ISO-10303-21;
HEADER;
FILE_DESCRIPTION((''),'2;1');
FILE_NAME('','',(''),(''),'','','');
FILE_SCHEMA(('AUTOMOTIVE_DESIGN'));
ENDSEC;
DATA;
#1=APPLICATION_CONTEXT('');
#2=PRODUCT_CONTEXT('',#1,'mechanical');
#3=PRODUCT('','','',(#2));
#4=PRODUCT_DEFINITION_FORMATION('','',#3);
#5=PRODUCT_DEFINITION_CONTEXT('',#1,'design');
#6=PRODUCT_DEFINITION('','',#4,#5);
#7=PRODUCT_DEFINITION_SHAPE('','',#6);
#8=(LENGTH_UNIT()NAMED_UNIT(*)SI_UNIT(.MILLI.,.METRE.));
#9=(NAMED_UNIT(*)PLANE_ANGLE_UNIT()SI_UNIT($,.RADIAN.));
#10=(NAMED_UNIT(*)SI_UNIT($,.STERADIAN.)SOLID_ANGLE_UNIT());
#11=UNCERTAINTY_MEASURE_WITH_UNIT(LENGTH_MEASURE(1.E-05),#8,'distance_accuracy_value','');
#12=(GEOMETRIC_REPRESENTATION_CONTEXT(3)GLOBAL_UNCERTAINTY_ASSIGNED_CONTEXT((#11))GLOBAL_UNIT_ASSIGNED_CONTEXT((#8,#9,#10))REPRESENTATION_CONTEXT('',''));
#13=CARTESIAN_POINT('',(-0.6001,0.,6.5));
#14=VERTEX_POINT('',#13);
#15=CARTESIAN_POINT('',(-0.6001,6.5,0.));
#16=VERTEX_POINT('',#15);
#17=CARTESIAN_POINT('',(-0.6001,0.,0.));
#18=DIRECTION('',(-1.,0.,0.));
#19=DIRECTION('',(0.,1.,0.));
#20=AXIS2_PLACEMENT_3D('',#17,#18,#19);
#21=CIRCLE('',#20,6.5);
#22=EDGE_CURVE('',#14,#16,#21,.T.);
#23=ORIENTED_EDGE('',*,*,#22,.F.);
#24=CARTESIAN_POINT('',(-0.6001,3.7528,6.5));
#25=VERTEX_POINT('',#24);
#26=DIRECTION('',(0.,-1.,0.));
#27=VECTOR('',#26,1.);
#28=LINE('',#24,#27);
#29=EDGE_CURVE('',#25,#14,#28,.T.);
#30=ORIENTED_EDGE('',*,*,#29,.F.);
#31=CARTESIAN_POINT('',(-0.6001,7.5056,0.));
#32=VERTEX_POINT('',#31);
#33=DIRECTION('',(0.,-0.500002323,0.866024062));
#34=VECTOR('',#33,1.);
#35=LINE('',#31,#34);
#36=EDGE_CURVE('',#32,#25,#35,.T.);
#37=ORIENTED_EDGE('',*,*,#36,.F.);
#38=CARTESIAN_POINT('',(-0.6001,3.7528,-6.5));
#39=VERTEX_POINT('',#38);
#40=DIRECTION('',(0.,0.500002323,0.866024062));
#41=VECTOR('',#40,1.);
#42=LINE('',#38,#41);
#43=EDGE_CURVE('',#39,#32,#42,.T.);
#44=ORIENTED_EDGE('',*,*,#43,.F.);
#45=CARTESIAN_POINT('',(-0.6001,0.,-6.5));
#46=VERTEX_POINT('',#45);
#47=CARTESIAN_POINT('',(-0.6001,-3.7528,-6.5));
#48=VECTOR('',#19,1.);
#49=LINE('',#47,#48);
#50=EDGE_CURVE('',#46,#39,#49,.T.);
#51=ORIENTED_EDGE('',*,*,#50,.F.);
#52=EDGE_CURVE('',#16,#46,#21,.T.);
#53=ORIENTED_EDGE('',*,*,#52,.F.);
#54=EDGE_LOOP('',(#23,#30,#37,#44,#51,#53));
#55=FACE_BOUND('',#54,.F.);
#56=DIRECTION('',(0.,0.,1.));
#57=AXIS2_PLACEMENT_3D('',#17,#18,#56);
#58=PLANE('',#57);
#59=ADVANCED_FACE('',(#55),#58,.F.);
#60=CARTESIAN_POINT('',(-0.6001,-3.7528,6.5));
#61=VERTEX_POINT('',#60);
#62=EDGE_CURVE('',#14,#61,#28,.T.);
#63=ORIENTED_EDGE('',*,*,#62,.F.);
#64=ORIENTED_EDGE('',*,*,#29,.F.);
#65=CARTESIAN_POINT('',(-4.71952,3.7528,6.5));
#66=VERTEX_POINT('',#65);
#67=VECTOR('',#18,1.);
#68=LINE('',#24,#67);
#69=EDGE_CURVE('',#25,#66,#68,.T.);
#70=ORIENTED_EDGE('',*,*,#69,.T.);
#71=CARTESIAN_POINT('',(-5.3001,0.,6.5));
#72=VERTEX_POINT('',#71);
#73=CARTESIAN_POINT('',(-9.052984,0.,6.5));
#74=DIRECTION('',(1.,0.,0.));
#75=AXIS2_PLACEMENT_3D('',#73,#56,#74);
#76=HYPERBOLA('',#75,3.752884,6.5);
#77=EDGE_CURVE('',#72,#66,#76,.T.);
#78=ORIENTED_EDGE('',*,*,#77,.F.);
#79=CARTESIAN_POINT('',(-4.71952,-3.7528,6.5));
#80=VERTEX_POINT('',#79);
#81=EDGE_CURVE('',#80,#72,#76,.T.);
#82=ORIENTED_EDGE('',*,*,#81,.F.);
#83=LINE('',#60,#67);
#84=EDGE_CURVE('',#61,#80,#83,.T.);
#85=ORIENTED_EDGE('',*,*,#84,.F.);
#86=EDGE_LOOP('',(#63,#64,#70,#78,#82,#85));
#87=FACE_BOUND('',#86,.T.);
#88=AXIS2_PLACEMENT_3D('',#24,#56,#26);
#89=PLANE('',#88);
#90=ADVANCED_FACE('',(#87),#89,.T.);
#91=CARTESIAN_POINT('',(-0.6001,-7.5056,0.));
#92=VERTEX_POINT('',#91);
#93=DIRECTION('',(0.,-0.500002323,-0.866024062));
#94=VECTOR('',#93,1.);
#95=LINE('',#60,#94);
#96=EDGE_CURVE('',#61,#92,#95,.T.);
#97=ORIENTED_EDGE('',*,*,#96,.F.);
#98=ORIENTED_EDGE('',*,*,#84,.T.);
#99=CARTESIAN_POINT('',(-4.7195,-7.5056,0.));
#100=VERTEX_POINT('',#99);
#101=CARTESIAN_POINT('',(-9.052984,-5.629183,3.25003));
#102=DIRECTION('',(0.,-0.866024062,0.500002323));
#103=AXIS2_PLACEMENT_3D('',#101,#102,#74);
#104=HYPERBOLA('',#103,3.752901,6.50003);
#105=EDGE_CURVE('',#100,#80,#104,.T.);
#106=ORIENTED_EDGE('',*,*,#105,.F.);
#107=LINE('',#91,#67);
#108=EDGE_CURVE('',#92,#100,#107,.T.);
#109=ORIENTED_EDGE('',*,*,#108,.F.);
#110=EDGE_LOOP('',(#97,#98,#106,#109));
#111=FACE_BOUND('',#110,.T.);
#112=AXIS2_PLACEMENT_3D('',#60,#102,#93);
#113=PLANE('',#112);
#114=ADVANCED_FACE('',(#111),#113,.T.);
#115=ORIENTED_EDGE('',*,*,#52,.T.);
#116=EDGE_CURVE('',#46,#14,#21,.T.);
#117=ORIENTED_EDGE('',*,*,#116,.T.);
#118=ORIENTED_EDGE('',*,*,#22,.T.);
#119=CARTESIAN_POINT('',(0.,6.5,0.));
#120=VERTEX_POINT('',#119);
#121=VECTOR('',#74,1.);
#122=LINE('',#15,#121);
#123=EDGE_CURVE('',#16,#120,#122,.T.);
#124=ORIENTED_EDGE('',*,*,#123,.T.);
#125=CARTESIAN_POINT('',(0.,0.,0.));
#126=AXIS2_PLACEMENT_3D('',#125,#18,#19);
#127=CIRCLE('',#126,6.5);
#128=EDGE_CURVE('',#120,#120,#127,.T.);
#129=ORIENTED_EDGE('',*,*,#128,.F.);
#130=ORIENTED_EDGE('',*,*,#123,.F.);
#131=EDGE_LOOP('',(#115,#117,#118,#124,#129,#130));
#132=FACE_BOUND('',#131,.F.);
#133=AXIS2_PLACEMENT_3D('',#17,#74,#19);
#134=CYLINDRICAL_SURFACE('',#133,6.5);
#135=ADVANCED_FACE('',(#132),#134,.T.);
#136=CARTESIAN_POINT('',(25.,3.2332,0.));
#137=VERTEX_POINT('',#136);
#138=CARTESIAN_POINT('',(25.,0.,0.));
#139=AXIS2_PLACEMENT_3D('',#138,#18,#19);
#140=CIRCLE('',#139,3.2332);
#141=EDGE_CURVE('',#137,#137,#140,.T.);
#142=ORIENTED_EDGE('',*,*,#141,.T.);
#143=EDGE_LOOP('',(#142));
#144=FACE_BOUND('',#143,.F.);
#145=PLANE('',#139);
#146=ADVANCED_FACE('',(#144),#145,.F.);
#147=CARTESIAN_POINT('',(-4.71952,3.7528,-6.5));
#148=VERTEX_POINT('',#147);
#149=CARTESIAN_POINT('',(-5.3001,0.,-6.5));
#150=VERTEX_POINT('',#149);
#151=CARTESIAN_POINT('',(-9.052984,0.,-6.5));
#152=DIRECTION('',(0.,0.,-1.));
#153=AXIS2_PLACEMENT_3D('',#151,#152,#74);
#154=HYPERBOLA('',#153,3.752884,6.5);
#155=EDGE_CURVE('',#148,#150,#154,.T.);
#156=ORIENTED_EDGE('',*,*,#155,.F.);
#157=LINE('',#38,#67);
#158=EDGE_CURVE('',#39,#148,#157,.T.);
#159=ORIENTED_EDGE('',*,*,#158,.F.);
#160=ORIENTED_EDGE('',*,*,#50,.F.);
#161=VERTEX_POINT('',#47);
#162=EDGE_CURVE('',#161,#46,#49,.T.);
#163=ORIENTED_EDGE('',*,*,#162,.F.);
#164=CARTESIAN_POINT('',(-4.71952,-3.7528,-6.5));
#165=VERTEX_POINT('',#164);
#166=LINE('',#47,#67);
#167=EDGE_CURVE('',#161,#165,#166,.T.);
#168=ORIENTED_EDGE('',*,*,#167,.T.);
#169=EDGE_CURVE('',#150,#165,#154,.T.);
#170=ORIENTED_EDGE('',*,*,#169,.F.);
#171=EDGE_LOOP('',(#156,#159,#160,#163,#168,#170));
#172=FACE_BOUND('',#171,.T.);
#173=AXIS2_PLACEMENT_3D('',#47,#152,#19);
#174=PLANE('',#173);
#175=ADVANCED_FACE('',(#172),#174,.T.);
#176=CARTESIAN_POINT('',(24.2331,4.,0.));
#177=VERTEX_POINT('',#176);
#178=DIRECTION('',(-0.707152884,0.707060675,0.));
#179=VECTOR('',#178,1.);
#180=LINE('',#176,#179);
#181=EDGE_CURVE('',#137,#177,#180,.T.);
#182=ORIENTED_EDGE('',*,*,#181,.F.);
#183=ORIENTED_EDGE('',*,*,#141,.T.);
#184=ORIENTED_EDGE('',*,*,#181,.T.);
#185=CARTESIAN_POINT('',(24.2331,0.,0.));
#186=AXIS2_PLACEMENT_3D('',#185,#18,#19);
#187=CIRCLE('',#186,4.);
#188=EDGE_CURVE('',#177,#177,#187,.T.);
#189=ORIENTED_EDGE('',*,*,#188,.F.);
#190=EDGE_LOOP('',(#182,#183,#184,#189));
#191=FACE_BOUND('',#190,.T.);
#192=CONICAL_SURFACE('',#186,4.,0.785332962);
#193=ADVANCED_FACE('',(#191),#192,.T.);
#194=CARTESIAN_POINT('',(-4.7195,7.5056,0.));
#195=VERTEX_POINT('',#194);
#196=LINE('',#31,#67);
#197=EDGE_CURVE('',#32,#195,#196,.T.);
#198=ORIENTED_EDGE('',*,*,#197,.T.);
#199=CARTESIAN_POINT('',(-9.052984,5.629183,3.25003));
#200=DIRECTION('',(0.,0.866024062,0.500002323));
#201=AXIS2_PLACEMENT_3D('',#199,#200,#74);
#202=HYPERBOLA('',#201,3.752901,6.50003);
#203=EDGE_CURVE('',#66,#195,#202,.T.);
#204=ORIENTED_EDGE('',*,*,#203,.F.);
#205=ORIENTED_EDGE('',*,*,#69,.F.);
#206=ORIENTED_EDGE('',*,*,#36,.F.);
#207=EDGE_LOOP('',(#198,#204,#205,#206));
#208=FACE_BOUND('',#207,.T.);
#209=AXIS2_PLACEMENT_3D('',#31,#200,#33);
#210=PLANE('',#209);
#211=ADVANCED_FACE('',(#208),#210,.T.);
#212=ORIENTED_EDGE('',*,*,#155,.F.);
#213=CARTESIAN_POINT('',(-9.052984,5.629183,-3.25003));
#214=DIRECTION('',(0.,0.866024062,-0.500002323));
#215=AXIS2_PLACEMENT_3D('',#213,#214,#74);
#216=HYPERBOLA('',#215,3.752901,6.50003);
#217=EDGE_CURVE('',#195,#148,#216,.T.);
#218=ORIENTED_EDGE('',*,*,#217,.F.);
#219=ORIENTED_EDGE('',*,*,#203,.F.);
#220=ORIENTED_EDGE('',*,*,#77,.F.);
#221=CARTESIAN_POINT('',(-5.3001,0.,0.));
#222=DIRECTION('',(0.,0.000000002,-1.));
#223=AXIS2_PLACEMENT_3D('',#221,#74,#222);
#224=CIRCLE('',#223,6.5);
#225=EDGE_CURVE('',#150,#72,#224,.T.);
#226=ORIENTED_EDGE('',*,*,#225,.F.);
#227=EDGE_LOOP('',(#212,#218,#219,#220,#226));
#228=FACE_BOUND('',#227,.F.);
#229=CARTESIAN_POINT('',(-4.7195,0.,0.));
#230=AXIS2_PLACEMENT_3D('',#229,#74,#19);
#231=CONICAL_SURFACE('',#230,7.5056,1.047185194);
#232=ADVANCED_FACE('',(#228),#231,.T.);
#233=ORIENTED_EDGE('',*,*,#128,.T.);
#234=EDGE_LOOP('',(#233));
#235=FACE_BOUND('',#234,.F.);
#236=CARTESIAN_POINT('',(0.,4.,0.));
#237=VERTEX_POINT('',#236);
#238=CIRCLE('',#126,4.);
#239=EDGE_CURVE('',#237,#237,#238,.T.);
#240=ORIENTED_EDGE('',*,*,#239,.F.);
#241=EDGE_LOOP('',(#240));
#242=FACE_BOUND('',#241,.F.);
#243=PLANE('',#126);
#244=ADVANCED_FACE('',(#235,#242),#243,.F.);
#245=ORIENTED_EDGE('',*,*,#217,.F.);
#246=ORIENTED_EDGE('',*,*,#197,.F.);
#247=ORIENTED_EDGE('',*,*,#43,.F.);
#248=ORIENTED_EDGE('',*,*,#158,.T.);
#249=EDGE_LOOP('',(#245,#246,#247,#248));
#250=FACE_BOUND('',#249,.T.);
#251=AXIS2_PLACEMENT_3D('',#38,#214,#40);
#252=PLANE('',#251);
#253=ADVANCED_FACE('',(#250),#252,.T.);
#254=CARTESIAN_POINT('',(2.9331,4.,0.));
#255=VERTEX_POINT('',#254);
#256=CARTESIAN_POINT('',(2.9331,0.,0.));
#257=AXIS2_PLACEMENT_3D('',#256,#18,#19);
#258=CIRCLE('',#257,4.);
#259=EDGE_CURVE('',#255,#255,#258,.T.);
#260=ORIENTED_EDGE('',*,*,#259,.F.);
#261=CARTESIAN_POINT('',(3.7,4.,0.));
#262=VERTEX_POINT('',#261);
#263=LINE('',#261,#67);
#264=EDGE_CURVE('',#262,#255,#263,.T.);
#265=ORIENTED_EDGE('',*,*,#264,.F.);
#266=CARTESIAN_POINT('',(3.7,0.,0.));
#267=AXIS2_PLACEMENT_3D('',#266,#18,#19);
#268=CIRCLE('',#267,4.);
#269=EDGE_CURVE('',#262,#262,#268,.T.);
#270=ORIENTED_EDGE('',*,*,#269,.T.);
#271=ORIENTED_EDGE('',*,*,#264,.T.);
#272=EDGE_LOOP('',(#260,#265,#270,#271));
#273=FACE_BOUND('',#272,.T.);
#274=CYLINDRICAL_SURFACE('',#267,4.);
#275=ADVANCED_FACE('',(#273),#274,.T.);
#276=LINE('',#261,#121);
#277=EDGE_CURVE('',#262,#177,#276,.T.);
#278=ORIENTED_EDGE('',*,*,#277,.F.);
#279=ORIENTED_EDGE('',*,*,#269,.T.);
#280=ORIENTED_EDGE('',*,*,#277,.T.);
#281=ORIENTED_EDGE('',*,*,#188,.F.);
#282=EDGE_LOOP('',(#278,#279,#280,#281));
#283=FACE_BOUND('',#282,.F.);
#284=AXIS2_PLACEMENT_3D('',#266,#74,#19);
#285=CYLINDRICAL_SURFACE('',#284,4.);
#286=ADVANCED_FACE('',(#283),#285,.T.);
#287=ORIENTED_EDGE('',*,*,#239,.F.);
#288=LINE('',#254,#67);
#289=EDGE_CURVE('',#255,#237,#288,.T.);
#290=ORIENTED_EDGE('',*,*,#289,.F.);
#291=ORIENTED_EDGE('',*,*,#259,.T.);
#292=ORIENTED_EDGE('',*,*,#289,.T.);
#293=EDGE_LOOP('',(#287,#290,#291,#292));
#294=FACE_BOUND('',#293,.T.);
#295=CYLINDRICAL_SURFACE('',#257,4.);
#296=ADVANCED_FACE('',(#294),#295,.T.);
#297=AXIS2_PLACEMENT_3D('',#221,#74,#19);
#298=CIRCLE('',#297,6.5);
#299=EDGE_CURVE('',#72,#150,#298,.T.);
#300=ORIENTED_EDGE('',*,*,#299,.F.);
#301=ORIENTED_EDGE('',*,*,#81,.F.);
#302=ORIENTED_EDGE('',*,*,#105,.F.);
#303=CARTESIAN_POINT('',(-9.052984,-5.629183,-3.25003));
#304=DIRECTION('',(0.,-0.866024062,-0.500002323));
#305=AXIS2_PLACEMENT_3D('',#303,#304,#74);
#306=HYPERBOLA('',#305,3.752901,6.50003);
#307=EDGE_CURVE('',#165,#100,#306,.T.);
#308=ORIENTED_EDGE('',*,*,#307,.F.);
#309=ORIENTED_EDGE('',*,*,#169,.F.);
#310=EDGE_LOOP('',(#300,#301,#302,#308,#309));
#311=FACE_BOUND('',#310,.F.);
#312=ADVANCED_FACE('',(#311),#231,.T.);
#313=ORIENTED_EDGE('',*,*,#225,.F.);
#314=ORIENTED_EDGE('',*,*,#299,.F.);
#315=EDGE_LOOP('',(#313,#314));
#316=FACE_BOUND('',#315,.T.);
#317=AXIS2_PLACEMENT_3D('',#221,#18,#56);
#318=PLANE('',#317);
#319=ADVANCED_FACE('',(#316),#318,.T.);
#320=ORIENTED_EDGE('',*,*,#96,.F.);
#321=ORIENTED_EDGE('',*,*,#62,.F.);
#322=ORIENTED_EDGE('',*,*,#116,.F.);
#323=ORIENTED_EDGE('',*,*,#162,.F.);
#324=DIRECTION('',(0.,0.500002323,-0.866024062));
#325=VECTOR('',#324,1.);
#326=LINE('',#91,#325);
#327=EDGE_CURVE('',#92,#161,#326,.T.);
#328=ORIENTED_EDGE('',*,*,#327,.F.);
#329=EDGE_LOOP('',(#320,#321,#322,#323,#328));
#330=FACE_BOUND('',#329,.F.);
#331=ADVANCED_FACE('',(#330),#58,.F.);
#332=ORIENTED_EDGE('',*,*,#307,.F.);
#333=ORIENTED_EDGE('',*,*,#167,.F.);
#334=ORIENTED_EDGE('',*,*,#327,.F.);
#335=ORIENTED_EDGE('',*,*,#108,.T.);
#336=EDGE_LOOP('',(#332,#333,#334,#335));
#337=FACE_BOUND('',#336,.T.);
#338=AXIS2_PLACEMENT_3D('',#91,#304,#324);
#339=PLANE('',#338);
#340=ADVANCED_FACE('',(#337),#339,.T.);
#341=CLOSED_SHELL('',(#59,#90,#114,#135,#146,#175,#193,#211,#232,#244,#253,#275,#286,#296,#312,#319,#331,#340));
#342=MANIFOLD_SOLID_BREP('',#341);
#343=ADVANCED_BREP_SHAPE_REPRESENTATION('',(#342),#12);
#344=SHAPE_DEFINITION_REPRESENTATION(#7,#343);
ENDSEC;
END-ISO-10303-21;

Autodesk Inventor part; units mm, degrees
ref_plane "YZ Plane" through (0, 0, 0) normal (1, 0, 0) x (0, 1, 0)
ref_plane "XZ Plane" through (0, 0, 0) normal (0, 1, 0) x (-1, 0, 0)
sketch "Sketch1" plane through (0, 0, 0) normal (0, 0, 1) x (1, 0, 0)
  line L0 (0, 6.5) -> (0, 4)
  line L1 (3.7, 4) -> (25, 4)
  line L2 (25, 4) -> (25, 0)
  line L3 (25, 0) -> (-0.6001, 0)
  line L4 (-5.7201, 0) -> (30.12, 0) projected
  line L5 (-0.6001, 0) -> (-0.6001, 6.5)
  line L6 (-0.6001, 6.5) -> (0, 6.5)
  line L7 (3.7, 4) -> (2.9331, 4)
  line L8 (2.9331, 4) -> (0, 4)
  line L9 (0, -1.3) -> (0, 7.8) projected
  dimension "d0" = 25
  dimension "d1" = 21.3
  dimension "d2" = 8
  dimension "d9" = 0.6001
  dimension "d10" = 13
  dimension "d13" = 0.7669
  dimension "d14" = 8
revolve "Body" add sketch "Sketch1" angle 360 about axis through (25, 0, 0) along (-1, 0, 0)
sketch "Sketch2" plane through (-0.6001, 0, 0) normal (-1, 0, 0) x (0, 0, 1)
  line L0 (0, 7.5056) -> (6.5, 3.7528)
  line L1 (6.5, 3.7528) -> (6.5, -3.7528)
  line L2 (6.5, -3.7528) -> (0, -7.5056)
  line L3 (0, -7.5056) -> (-6.5, -3.7528)
  line L4 (-6.5, -3.7528) -> (-6.5, 3.7528)
  line L5 (-6.5, 3.7528) -> (0, 7.5056)
  point P0 (0, 0)
  point P1 (0, 0)
  dimension "d11" = 13
extrude "Head" add sketch "Sketch2" along normal blind 4.7
sketch "Sketch4" plane through (0, 0, 0) normal (0, 0, 1) x (1, 0, 0)
  line L0 (-5.3001, 6.5) -> (-5.3001, 7.5056)
  line L1 (-5.3001, 7.5056) -> (-4.7195, 7.5056)
  line L2 (-4.7195, 7.5056) -> (-5.3001, 6.5)
  line L3 (-6.2401, 0) -> (0.3399, 0) projected
  line L4 (-0.6001, 7.5056) -> (-5.3001, 7.5056) projected
  line L5 (-5.3001, 3.7528) -> (-5.3001, 7.5056) projected
  dimension "d5" = 30
  dimension "d19" = 13
revolve "Chamfer1" cut sketch "Sketch4" angle 360 about axis through (-10, 0, 0) along (1, 0, 0)
thread "Thread" size "M8x1.25" class "6g" standard "ISO Metric profile" length 21.3
chamfer "Chamfer2" distance 0.7668 distance2 0.7669 1 edges at (25, -4, 0) measured on face at (25, 0.998, -0.8842)
ref_plane "Work Plane1" through (1.525, 0, 0) normal (0, 0, 1) x (1, 0, 0)
equation "\"d0\" = NLG"
equation "\"d1\" = GEL"
equation "\"d2\" = GD"
equation "\"d10\" = SD2"
equation "\"d14\" = BDM"
equation "\"d11\" = SW"
equation "\"d3\" = KOH - SD"
equation "\"d5\" = ANG1"
equation "\"d19\" = SW0"
equation "\"d15\" = GEL"
equation "\"d6\" = -0.5 * SPD + 0.5 * GD"
equation "\"NLG\" = 25"
equation "\"GD\" = NND"
equation "\"BDM\" = NND"
equation "\"KOH\" = 5.3"
equation "\"GEL\" = 21.3"
equation "\"SW\" = 13"
equation "\"SW0\" = SW"
equation "\"SPD\" = NND - 1.2269 * PTC"
equation "\"SD2\" = SW"
equation "\"SD\" = 0.6"
equation "\"ANG1\" = 30deg"
equation "\"GAL\" = 0.61345 * PTC"
equation "\"GUL\" = 0.61345 * PTC"
equation "\"RR\" = 0.4"
equation "\"WFT\" = SD"
equation "\"GD1\" = THREADDIA - 1.2269 * PTC"
equation "\"THREADDIA\" = 8"
equation "\"SDH\" = SW"
equation "\"TOA\" = 30deg"
equation "\"FAWI\" = 45deg"
equation "\"PTC\" = 1.25"
equation "\"NND\" = 8"
equation "\"E0\" = 1.155 * SW"
properties part number "AS 1110 - M8 x 25" material "Steel, Mild"
